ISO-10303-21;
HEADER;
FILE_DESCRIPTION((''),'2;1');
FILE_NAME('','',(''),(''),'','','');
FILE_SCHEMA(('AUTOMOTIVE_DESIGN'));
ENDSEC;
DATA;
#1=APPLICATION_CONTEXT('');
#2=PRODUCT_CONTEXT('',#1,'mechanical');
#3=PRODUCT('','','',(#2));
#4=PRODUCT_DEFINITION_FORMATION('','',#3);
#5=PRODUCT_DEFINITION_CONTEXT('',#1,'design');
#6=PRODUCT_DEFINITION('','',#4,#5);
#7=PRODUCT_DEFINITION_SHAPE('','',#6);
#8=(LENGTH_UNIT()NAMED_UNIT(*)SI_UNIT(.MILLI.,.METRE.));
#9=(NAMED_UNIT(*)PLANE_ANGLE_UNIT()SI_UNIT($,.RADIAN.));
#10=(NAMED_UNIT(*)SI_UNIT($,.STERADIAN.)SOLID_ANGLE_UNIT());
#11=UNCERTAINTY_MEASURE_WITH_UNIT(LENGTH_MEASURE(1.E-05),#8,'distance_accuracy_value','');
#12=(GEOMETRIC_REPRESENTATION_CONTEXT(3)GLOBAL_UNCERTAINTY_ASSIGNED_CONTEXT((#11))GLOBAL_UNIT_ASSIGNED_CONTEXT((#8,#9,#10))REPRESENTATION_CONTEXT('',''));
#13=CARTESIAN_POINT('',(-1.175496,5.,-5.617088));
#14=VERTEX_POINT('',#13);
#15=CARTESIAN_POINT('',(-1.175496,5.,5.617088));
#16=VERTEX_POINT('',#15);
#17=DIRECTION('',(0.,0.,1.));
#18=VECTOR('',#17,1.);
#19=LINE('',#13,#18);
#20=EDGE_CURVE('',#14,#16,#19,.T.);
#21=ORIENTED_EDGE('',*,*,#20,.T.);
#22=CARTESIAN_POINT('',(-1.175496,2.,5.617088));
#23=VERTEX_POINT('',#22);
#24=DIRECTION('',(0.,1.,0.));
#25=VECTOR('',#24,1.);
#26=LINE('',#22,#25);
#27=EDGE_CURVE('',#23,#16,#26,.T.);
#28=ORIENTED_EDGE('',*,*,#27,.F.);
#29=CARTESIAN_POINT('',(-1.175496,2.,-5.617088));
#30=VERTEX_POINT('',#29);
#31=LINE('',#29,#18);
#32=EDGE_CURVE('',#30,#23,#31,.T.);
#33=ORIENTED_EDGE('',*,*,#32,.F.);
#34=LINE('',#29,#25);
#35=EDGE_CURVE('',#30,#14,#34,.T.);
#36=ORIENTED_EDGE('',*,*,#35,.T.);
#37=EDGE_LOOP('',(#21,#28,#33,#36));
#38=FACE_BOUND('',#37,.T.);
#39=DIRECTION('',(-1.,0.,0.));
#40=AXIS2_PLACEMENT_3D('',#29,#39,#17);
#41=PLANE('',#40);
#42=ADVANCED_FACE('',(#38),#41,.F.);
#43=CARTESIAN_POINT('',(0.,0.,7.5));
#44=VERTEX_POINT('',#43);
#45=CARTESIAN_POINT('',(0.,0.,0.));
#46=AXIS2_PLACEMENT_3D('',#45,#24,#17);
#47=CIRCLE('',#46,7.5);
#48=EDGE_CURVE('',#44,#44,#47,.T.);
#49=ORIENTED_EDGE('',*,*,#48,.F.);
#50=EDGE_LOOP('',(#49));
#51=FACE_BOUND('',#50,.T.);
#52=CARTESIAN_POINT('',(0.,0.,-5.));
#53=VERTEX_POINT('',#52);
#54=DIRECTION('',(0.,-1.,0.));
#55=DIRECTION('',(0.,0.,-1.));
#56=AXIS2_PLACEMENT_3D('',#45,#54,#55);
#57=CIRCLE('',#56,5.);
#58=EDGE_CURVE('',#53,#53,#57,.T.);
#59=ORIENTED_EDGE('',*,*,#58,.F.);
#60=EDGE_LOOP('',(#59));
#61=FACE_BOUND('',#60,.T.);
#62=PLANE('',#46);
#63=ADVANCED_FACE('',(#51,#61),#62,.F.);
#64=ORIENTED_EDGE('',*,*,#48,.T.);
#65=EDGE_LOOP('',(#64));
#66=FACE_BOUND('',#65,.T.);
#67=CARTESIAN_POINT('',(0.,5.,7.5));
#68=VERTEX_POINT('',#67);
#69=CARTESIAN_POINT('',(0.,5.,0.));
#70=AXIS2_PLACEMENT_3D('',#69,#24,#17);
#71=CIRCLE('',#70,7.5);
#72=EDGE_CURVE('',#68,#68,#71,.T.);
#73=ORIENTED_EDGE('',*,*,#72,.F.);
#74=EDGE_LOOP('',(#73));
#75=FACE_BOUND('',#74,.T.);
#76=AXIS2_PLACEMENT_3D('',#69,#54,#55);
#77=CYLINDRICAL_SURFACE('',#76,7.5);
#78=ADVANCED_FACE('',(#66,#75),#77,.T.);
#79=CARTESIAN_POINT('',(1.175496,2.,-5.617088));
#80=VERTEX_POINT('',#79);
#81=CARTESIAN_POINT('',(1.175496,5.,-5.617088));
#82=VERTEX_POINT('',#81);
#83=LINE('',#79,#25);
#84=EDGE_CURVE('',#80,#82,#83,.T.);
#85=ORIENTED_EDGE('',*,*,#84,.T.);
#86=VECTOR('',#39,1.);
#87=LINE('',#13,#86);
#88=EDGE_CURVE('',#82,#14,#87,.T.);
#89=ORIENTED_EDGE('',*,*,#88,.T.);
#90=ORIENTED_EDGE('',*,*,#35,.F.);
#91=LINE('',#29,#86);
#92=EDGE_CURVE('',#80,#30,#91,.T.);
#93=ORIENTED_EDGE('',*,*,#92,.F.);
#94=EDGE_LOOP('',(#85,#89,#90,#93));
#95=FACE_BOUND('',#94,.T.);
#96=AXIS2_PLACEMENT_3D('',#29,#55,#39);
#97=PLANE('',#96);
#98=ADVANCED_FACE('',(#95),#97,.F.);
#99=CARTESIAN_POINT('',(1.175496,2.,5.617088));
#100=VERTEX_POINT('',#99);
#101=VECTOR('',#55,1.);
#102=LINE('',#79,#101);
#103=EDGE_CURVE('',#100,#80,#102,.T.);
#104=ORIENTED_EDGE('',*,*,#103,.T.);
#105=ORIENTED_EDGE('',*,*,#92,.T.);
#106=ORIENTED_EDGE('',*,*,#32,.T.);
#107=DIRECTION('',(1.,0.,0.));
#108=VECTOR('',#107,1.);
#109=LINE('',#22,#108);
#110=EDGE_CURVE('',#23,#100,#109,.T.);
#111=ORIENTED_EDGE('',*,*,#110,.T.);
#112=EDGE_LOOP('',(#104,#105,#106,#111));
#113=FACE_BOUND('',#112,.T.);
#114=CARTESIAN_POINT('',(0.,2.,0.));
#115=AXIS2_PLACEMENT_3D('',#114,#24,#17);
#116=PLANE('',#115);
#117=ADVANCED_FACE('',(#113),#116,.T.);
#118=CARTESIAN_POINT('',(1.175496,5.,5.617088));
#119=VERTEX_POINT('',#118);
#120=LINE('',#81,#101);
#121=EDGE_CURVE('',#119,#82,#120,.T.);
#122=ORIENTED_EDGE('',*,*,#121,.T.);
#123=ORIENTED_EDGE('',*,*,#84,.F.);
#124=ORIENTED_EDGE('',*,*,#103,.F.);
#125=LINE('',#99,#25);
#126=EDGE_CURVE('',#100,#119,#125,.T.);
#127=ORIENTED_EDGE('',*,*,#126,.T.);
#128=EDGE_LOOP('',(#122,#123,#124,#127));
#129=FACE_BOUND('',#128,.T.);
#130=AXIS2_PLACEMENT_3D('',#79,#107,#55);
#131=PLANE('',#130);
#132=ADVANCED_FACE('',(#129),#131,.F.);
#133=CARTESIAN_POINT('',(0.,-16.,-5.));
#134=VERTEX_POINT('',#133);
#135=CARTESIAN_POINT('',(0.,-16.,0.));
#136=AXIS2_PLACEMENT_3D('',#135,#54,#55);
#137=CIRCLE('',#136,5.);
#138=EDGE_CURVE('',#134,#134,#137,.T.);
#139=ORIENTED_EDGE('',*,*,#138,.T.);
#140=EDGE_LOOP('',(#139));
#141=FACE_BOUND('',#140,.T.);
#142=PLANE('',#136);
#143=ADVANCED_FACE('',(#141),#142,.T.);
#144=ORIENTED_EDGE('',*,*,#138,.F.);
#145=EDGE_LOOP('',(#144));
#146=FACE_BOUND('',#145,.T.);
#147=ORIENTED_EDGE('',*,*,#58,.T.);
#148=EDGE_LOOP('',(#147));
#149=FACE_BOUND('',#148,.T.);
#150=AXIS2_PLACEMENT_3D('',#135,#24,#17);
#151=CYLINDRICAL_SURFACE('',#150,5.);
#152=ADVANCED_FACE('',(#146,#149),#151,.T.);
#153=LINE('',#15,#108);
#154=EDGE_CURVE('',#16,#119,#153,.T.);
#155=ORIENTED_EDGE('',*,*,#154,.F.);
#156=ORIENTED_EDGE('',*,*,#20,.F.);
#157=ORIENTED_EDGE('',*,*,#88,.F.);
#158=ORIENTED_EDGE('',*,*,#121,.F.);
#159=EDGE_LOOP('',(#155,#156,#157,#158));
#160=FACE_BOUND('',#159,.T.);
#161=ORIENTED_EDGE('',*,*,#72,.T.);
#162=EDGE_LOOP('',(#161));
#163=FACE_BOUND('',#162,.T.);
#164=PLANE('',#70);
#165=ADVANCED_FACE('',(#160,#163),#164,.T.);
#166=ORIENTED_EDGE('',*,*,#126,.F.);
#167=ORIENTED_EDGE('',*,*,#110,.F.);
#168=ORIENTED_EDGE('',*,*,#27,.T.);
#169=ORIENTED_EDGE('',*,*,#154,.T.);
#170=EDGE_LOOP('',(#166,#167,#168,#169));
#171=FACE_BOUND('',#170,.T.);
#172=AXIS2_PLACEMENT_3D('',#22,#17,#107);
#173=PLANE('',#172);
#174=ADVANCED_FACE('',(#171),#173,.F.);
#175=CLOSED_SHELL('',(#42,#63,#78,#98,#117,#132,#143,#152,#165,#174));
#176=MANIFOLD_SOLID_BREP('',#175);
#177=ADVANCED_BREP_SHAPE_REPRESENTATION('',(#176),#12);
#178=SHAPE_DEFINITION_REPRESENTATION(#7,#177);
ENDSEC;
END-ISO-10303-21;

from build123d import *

# Parameters (mm, degrees)
SKETCH_1_R          = 7.5
EXTRUDE_1_DEPTH     = 5
SKETCH_2_R          = 5
EXTRUDE_2_DEPTH     = 16
SKETCH_3_W          = 2.35099294
SKETCH_3_H          = 11.234175126
CUT_EXTRUDE_1_DEPTH = 3


with BuildPart() as part:
    # 草图1 → 凸台-拉伸1 (new body)
    with BuildSketch(Plane(origin=(0, 0, 0), x_dir=(1, 0, 0), z_dir=(0, 1, 0))):
        with Locations(Location((0, 0, 0), (0, 0, 270))):
            Circle(SKETCH_1_R)
    extrude(amount=EXTRUDE_1_DEPTH)

    # 草图2 → 凸台-拉伸2 (add)
    with BuildSketch(Plane(origin=(0, 0, 0), x_dir=(-1, 0, 0), z_dir=(0, -1, 0))):
        with Locations(Location((0, 0, 0), (0, 0, 90))):
            Circle(SKETCH_2_R)
    extrude(amount=EXTRUDE_2_DEPTH)

    # 草图3 → 切除-拉伸1 (cut)
    with BuildSketch(Plane(origin=(0, 5, 0), x_dir=(1, 0, 0), z_dir=(0, 1, 0))):
        Rectangle(SKETCH_3_W, SKETCH_3_H)
    extrude(amount=-CUT_EXTRUDE_1_DEPTH, mode=Mode.SUBTRACT)


solid = part.part
